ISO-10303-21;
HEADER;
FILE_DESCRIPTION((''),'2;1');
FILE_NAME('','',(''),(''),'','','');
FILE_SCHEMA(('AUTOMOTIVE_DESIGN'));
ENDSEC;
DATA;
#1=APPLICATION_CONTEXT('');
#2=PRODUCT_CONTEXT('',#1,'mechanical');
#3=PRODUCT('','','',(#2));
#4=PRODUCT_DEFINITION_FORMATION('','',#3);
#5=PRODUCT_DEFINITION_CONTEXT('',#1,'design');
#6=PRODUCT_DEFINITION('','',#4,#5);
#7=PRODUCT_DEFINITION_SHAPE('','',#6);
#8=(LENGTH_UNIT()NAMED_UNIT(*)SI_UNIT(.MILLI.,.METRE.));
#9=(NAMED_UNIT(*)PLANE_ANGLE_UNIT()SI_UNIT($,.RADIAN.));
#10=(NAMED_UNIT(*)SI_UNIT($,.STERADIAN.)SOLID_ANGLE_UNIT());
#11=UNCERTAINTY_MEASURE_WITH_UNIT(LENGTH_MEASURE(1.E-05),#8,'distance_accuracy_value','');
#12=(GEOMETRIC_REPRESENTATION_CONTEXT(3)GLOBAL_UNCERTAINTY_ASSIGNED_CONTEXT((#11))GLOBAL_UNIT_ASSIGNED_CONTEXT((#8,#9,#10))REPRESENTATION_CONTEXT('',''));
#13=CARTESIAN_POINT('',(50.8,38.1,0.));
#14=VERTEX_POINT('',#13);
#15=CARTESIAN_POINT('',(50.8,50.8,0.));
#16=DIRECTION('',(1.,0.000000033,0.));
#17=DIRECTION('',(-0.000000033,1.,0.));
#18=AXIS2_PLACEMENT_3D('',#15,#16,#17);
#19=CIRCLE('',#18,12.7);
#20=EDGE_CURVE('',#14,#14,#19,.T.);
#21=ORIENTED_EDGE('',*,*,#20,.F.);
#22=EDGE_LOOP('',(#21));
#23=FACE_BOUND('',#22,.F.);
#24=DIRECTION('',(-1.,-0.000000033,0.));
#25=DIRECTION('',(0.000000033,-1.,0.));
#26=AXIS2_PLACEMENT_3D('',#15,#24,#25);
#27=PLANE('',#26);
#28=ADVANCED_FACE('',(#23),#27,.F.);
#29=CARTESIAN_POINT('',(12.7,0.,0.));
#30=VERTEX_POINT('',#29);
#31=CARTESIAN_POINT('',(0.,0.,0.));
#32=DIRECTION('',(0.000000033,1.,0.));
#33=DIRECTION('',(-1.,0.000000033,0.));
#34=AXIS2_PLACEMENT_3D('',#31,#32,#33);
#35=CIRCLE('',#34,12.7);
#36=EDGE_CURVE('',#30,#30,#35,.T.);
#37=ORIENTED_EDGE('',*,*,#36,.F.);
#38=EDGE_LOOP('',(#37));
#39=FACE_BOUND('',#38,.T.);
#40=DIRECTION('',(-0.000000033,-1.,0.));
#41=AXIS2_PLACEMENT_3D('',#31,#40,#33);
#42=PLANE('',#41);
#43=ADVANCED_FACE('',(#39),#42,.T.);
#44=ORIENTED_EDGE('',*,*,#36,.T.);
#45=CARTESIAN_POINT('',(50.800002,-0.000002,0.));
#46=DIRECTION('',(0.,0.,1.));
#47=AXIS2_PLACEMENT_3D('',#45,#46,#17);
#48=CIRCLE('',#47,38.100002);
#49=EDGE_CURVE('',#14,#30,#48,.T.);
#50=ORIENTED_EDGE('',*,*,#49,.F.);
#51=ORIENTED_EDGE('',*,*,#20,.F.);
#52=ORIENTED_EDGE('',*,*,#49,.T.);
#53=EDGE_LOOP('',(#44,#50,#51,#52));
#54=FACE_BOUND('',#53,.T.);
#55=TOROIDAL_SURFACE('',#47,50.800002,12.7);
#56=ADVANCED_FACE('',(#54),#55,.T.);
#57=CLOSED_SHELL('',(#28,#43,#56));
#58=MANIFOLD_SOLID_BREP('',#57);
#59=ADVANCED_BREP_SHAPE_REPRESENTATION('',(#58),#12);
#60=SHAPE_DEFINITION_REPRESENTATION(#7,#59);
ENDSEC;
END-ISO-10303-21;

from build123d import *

# Parameters (mm, degrees)
F0_R = 12.7


with BuildPart() as f3:
    # F3: sweep along a path in F2
    with BuildLine(Plane.XY) as f3_path:
        ThreePointArc((50.8, 50.8), (14.878976, 35.921024), (0, 0))
    # F0 (on Front) → F3 (sweep)
    with BuildSketch(Plane.XZ):
        Circle(F0_R)
    sweep(path=f3_path.line)


solid = f3.part
